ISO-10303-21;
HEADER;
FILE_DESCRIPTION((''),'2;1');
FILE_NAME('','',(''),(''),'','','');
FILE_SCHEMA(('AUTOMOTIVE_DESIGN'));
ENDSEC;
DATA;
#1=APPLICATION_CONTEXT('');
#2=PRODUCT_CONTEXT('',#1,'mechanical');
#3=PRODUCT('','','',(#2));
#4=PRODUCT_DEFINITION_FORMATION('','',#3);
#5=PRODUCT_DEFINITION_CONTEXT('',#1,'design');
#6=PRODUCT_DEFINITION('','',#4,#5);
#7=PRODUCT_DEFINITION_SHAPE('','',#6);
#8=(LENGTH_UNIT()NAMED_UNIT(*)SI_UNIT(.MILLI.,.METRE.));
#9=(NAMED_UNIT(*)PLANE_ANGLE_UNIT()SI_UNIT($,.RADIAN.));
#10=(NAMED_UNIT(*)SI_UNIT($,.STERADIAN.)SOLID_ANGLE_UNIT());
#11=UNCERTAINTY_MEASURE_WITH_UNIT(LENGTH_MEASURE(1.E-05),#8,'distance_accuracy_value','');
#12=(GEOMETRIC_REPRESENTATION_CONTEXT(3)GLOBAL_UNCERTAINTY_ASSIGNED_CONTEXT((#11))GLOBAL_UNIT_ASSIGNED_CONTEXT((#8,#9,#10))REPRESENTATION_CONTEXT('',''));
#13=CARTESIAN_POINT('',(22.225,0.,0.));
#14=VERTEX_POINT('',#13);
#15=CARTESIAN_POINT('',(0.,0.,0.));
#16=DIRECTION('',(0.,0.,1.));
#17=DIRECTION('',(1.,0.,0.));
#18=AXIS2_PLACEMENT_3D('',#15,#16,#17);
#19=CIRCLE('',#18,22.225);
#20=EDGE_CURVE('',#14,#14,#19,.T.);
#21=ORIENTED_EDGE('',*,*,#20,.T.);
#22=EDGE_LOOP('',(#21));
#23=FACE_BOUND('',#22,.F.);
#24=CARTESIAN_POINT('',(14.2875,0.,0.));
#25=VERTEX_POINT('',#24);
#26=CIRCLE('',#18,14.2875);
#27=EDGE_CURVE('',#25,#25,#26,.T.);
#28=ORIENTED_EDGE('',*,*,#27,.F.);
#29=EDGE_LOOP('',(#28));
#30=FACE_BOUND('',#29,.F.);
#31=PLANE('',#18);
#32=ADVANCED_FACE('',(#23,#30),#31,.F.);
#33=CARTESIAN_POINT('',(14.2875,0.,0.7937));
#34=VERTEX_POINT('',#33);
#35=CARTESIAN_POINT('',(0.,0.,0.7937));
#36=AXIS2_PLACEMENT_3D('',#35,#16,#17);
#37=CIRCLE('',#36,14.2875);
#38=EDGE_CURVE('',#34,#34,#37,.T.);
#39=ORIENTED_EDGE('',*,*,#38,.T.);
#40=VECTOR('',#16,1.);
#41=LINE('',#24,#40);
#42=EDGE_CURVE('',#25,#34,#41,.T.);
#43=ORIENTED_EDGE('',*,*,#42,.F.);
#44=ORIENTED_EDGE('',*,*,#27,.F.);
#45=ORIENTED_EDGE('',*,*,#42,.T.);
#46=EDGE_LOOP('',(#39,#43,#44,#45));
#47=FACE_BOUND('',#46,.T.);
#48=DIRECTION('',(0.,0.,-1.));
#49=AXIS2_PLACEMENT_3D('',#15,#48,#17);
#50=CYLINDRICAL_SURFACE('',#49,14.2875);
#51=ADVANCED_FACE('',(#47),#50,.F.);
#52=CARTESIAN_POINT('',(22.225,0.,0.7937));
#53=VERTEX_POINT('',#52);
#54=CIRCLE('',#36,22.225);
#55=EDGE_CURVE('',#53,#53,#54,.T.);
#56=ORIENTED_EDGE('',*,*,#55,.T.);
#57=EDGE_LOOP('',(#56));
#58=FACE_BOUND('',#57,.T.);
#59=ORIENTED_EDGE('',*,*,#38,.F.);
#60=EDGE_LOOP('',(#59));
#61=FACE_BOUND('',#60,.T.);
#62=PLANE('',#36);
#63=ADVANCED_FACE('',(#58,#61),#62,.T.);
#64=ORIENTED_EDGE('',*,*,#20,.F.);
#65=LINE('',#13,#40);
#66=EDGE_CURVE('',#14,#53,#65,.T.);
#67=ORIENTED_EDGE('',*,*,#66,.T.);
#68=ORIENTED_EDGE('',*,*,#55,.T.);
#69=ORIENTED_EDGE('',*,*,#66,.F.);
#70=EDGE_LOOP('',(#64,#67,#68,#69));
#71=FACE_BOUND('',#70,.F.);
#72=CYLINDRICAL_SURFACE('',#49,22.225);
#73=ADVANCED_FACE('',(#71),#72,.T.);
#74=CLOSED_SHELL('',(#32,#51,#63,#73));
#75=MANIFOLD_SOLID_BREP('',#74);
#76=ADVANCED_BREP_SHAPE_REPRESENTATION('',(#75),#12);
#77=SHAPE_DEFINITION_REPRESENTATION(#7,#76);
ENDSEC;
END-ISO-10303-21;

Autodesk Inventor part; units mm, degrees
ref_plane "YZ Plane" through (0, 0, 0) normal (1, 0, 0) x (0, 1, 0)
ref_plane "XZ Plane" through (0, 0, 0) normal (0, 1, 0) x (-1, 0, 0)
ref_plane "XY Plane" through (0, 0, 0) normal (0, 0, 1) x (1, 0, 0)
sketch "Sketch1" plane through (0, 0, 0) normal (0, 0, 1) x (1, 0, 0)
  circle A0 centre (0, 0) radius 14.2875
  circle A1 centre (0, 0) radius 22.225
  dimension "d0" = 28.575
  dimension "d2" = 44.45
extrude "Extrusion1" add sketch "Sketch1" along normal blind 0.7937
properties part number "Thrust Washer .125 Thick 1.000 Shaft Diameter"
